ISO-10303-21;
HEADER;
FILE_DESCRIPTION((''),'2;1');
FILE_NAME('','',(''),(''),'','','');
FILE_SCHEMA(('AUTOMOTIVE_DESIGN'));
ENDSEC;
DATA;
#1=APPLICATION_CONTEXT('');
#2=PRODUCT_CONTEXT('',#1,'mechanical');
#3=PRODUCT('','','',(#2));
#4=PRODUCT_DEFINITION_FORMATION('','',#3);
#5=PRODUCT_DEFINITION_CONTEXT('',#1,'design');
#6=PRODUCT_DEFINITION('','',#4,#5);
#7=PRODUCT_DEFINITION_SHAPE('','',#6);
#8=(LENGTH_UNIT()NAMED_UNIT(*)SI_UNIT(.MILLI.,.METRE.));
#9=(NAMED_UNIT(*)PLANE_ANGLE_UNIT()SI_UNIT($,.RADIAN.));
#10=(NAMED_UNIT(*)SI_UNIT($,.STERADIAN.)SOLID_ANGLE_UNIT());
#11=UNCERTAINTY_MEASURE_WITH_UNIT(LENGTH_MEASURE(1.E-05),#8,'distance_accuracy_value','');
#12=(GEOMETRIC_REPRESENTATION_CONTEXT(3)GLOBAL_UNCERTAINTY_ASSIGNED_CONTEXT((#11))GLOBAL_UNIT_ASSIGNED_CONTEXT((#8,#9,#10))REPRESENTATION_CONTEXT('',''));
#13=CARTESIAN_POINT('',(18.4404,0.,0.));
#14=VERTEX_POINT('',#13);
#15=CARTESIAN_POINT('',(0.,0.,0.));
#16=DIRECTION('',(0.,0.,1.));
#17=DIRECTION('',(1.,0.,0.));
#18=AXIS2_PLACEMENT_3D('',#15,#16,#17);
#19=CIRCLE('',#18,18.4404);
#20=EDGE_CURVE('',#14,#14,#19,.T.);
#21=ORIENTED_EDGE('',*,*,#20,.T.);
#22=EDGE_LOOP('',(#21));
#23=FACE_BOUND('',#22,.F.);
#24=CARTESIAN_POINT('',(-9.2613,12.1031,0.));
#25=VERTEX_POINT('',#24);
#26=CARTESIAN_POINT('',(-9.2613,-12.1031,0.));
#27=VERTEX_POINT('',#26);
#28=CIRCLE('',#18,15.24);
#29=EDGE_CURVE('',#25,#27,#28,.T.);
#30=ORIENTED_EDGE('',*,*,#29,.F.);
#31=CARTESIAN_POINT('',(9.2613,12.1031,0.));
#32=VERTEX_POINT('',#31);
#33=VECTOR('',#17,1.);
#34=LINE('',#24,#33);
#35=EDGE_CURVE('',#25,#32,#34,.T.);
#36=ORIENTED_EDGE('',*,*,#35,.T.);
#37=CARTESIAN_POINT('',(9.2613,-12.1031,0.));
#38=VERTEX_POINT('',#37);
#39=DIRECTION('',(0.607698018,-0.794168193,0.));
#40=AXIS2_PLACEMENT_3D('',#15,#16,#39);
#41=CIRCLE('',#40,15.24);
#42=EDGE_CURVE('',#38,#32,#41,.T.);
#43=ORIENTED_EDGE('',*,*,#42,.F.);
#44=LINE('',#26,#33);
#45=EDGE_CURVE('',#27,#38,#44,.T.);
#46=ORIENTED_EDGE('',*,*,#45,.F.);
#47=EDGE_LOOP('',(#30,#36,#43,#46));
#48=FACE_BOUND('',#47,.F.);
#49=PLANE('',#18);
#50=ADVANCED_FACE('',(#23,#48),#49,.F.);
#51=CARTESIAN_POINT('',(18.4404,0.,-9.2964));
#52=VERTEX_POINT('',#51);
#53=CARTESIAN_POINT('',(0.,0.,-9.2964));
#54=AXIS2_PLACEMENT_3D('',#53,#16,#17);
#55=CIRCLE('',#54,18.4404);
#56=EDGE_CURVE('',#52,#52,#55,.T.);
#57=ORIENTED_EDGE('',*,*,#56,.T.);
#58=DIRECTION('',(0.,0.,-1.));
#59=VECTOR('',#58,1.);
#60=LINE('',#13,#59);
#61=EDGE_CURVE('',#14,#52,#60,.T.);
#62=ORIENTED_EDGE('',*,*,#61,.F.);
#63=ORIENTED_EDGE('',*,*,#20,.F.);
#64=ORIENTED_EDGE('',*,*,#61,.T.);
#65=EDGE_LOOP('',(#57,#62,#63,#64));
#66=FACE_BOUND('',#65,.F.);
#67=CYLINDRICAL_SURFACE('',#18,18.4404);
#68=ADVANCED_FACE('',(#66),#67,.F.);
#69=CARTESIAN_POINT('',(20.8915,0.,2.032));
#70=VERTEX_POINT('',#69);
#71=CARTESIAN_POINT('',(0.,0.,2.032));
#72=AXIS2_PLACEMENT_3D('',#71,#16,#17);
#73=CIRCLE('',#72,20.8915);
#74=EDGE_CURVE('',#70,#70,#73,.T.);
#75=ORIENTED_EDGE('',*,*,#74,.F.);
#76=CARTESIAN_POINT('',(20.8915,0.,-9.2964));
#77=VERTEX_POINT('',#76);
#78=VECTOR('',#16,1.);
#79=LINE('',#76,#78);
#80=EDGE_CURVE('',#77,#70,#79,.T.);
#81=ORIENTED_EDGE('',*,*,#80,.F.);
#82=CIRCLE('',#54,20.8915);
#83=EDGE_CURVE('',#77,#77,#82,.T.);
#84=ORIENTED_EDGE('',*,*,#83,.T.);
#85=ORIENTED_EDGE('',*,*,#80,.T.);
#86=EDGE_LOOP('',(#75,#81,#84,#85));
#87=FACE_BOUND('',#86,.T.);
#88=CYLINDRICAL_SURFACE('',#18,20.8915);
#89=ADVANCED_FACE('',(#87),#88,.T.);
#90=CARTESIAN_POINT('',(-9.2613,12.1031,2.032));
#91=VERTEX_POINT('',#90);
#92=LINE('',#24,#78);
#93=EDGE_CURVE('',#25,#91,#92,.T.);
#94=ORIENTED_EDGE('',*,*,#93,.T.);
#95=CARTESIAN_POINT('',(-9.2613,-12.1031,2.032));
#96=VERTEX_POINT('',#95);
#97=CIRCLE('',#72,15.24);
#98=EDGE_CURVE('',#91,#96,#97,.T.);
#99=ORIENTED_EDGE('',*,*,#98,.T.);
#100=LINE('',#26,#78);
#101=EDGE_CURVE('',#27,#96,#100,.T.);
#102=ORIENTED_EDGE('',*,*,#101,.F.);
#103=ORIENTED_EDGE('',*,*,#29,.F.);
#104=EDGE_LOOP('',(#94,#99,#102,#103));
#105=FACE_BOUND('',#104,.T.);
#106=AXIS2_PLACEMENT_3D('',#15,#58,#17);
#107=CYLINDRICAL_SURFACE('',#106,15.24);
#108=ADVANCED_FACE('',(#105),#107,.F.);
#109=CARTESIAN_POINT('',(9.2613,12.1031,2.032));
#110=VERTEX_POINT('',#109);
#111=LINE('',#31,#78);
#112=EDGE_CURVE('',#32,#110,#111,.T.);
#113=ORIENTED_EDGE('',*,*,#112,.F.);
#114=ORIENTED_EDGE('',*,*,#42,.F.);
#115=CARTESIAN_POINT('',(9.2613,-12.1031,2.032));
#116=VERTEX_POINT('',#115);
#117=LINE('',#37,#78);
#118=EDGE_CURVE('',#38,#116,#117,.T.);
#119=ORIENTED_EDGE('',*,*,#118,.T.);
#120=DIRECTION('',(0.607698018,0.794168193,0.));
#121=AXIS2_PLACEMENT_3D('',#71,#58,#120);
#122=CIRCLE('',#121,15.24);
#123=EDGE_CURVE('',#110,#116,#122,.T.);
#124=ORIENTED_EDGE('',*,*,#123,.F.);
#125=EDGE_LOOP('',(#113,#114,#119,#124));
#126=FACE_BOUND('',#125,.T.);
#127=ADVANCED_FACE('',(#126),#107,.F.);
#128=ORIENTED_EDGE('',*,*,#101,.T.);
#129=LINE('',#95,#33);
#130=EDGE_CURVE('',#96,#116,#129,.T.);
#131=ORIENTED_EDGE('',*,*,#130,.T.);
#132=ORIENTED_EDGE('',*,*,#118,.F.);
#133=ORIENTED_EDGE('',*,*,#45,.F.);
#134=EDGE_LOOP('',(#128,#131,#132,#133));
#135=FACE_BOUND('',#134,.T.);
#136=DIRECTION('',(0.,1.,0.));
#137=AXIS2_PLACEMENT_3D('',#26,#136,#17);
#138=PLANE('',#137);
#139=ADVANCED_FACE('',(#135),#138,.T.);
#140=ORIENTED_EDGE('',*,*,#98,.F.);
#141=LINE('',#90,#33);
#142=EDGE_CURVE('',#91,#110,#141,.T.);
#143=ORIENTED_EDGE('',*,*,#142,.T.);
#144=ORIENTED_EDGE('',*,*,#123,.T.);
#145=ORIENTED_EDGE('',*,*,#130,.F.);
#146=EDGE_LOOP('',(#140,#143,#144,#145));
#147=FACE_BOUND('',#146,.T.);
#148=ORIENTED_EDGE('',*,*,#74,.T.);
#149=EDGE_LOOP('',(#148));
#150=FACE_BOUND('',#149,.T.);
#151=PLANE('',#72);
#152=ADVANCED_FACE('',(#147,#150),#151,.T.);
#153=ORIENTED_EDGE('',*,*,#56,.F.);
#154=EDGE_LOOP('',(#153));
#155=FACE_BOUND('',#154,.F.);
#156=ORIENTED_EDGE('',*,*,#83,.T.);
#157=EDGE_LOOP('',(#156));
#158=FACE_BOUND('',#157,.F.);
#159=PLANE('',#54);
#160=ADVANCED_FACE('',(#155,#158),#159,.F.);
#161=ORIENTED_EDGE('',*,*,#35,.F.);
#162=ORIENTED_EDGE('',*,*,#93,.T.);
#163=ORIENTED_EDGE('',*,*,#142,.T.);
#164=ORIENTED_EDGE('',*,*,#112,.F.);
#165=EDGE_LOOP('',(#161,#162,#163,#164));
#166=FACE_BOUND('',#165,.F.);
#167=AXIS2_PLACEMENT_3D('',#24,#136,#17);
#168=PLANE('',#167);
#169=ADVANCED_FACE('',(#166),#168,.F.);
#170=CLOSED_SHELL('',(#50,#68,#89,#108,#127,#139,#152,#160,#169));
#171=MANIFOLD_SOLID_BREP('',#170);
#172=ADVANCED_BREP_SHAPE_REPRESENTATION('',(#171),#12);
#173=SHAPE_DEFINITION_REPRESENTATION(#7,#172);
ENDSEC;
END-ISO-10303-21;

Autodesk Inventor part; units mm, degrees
ref_plane "YZ Plane" through (0, 0, 0) normal (1, 0, 0) x (0, 1, 0)
ref_plane "XZ Plane" through (0, 0, 0) normal (0, 1, 0) x (-1, 0, 0)
ref_plane "XY Plane" through (0, 0, 0) normal (0, 0, 1) x (1, 0, 0)
sketch "Sketch1" plane through (0, 0, 0) normal (0, 0, 1) x (1, 0, 0)
  circle A0 centre (0, 0) radius 20.8915
  circle A1 centre (0, 0) radius 15.24
  line L0 (-9.2613, 12.1031) -> (9.2613, 12.1031)
  line L1 (-9.2613, -12.1031) -> (9.2613, -12.1031)
  circle A2 centre (0, 0) radius 18.4404
  dimension "d0" = 41.783
  dimension "d1" = 30.48
  dimension "d2" = 12.1031
  dimension "d3" = 12.1031
  dimension "d4" = 36.8808
extrude "Extrusion1" add sketch "Sketch1" against normal blind 9.2964 contours A0
extrude "Extrusion2" add sketch "Sketch1" along normal blind 2.032 contours A0 | L0 A1 | A1 L1 | A2
thread "Thread1" size "1 11/16-6 UN" class "2A" standard "ANSI Unified Screw Threads" full length
equation "\"d3\" = d2"
properties part number "Spring torque cap"
